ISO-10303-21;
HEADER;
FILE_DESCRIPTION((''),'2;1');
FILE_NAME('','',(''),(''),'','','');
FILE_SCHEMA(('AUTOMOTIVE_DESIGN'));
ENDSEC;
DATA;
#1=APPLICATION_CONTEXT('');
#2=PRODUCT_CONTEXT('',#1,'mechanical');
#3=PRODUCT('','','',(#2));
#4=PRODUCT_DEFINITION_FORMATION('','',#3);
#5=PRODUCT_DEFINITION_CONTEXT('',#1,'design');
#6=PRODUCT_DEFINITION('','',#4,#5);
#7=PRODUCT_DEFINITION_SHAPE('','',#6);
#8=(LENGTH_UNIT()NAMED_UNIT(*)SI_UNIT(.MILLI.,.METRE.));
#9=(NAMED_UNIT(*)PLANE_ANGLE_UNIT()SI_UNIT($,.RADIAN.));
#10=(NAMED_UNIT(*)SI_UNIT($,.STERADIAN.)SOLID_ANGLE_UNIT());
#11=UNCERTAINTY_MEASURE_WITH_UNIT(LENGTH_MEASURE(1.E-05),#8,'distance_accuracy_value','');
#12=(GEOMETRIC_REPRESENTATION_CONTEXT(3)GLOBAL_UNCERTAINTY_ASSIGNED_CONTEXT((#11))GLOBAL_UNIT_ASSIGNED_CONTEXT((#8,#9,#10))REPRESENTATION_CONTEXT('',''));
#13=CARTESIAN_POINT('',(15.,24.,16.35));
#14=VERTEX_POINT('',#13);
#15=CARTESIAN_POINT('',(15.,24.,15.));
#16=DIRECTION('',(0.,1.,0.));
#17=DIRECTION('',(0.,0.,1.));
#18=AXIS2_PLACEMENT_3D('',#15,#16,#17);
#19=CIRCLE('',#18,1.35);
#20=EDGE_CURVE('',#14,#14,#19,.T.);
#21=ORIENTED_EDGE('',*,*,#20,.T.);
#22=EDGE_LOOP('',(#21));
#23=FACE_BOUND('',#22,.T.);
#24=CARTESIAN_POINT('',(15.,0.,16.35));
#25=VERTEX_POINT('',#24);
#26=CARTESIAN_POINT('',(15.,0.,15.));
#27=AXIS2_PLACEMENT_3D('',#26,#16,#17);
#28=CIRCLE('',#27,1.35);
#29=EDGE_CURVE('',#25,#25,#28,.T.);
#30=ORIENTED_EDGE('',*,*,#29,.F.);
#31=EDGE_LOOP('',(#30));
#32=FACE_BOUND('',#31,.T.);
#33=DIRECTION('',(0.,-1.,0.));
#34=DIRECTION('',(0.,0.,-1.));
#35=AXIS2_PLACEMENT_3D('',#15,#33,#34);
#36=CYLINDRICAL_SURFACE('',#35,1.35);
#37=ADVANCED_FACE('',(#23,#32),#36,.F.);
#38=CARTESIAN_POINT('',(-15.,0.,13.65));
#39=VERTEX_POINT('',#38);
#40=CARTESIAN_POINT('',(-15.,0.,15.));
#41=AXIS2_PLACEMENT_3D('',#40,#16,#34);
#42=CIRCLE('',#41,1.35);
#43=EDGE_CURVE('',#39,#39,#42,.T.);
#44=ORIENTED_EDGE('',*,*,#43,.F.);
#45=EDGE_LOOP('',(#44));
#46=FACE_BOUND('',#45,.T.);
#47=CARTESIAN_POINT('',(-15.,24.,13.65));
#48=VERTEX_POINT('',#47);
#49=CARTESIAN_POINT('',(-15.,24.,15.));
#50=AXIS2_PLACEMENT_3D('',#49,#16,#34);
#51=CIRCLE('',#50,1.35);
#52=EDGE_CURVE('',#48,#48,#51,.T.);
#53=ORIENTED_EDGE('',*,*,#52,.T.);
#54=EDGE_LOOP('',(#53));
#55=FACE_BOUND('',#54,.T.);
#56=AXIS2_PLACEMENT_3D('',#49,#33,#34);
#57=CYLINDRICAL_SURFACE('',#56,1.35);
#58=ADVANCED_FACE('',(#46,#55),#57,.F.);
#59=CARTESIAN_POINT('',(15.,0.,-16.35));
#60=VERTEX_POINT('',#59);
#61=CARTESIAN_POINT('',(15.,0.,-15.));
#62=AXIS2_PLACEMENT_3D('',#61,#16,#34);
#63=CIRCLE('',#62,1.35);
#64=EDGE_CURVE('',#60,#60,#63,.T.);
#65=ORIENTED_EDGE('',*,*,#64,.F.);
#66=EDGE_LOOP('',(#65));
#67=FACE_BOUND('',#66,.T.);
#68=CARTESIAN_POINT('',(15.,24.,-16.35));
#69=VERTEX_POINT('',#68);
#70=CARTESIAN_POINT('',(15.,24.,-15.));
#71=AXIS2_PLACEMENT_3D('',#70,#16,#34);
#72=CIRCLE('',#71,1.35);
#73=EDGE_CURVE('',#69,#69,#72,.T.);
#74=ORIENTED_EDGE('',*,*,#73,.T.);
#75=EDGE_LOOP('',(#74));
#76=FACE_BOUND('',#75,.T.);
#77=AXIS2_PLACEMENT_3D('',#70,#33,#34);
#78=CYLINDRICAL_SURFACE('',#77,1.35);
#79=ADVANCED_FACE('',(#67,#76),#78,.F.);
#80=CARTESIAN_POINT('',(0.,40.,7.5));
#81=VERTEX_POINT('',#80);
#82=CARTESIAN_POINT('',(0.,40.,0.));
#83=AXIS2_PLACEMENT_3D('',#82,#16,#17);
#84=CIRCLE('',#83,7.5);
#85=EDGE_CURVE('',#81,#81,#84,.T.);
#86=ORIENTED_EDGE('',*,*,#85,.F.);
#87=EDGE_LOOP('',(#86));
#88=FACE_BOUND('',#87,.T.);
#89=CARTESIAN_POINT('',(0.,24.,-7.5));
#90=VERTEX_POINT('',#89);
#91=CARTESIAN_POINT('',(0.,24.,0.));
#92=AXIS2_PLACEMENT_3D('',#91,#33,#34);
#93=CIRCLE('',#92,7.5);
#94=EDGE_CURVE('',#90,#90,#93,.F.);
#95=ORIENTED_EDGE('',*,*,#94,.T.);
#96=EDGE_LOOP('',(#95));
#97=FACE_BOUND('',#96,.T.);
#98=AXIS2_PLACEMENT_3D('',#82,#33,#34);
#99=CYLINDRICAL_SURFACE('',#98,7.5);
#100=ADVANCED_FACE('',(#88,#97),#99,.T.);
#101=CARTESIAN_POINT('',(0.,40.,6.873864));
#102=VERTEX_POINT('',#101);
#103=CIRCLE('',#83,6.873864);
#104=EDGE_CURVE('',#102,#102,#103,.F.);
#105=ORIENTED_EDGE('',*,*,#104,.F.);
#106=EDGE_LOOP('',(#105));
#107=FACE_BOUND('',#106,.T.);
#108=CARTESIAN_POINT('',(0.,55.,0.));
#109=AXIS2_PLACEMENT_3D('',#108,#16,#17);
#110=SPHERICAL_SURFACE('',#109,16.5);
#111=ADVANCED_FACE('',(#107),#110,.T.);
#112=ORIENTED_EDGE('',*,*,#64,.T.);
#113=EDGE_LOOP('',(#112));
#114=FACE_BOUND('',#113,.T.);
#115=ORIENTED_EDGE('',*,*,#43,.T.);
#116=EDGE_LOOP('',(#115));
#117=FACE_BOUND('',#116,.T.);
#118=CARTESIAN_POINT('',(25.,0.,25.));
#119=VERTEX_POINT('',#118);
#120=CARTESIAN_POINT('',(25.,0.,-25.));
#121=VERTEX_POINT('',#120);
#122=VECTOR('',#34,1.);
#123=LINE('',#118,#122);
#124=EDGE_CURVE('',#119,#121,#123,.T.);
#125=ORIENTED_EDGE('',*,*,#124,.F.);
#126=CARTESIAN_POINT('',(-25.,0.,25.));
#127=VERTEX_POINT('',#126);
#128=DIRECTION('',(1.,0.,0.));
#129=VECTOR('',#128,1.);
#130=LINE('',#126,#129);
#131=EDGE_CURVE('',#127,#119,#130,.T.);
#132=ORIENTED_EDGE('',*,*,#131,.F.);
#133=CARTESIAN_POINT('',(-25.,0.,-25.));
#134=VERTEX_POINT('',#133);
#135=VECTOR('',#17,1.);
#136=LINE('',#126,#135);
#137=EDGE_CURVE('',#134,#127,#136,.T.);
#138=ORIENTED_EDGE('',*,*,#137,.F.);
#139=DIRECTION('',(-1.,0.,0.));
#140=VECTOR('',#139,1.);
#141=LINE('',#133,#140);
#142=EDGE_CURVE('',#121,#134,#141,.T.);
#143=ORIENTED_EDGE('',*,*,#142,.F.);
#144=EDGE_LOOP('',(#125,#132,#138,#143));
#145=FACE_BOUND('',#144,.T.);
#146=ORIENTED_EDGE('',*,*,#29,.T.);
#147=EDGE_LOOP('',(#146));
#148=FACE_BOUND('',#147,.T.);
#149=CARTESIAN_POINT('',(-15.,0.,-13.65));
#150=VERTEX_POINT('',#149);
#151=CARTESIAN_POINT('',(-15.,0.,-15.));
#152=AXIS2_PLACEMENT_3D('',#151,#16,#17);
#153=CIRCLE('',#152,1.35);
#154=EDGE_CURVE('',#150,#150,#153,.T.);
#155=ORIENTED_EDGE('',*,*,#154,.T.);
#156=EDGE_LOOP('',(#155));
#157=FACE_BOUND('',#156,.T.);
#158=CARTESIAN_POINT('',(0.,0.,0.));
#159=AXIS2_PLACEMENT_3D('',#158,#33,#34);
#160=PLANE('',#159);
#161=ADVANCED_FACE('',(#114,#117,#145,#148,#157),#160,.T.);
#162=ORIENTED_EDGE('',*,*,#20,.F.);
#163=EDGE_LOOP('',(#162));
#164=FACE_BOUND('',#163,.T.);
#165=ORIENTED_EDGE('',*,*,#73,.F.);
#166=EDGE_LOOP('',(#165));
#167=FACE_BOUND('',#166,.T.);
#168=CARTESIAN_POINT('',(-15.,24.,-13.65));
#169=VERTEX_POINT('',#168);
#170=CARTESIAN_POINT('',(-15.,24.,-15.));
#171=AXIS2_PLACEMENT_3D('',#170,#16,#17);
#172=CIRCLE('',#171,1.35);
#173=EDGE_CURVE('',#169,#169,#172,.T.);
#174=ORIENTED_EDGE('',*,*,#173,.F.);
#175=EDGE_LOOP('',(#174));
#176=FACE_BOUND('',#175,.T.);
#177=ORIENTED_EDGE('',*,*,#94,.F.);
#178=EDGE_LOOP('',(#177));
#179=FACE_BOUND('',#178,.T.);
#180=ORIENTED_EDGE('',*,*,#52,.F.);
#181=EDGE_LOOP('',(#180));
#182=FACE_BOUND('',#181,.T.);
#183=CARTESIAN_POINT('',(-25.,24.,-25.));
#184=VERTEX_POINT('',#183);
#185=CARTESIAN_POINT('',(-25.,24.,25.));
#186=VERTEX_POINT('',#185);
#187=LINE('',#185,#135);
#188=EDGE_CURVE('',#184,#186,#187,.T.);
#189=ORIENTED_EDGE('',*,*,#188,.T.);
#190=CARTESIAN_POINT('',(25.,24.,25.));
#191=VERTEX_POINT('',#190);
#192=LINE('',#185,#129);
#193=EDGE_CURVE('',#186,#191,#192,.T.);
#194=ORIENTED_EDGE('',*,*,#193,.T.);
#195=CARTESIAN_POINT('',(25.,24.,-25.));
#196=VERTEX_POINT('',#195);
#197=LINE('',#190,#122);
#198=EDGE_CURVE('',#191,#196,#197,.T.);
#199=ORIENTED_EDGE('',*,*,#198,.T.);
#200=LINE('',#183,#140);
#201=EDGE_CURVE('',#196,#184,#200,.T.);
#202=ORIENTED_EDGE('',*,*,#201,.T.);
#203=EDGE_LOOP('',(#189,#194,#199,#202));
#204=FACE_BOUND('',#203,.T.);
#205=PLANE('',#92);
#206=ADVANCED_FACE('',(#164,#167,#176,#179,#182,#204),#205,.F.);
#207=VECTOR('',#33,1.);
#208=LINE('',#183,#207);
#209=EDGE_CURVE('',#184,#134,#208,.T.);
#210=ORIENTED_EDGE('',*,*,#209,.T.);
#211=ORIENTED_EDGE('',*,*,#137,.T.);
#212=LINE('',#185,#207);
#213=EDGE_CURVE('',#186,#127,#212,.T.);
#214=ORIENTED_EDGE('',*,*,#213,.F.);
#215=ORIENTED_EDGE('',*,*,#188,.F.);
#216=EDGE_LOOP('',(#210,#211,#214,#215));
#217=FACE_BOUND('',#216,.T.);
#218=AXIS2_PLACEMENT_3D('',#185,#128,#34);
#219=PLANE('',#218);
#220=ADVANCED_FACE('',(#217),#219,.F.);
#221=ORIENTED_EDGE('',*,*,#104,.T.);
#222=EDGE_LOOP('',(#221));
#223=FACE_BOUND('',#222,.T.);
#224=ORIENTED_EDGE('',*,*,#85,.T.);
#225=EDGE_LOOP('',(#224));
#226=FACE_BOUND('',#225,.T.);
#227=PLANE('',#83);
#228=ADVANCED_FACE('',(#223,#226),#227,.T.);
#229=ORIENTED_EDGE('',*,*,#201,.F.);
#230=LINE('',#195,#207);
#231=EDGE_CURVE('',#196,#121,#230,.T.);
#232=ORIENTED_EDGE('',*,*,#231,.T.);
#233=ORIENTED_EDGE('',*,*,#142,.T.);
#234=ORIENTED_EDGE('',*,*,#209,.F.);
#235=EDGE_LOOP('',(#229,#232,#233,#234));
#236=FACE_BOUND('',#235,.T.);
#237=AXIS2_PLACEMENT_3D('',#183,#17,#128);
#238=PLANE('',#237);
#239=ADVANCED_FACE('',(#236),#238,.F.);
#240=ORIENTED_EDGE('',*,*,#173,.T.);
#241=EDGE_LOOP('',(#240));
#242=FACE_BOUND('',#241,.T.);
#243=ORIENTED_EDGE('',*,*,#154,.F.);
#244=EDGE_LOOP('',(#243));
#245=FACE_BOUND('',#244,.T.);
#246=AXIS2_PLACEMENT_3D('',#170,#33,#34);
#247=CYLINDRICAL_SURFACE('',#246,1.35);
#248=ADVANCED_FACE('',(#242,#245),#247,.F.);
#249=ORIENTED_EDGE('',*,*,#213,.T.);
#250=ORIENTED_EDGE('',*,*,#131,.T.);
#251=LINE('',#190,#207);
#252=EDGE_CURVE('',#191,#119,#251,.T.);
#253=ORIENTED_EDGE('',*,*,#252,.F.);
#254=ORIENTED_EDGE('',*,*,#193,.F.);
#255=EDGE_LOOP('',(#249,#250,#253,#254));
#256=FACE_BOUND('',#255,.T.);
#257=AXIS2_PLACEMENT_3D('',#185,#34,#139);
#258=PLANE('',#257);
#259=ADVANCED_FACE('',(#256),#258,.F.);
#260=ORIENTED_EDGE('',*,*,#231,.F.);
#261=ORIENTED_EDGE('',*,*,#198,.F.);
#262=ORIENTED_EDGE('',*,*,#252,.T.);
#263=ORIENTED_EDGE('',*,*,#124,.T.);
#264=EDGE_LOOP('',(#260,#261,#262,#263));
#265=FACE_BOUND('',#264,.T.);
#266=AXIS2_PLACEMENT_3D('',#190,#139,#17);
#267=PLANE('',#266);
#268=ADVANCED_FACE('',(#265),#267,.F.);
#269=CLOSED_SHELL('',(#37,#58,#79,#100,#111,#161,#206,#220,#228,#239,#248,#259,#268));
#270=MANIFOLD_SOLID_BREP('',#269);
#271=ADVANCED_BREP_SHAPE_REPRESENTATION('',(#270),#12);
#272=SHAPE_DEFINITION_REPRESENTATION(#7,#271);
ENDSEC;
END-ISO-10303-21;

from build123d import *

# Parameters (mm, degrees)
CROQUIS1_W              = 50
CROQUIS1_H              = 50
CROQUIS1_R              = 1.35
SALIENTE_EXTRUIR1_DEPTH = 24
CROQUIS2_R              = 7.5
SALIENTE_EXTRUIR2_DEPTH = 40


with BuildPart() as part:
    # Croquis1 → Saliente-Extruir1 (new body)
    with BuildSketch(Plane(origin=(0, 0, 0), x_dir=(1, 0, 0), z_dir=(0, 1, 0))):
        Rectangle(CROQUIS1_W, CROQUIS1_H)
        with Locations(Location((-15, 15, 0), (0, 0, 270))):
            Circle(CROQUIS1_R, mode=Mode.SUBTRACT)
        with Locations(Location((15, 15, 0), (0, 0, 90))):
            Circle(CROQUIS1_R, mode=Mode.SUBTRACT)
        with Locations(Location((-15, -15, 0), (0, 0, 90))):
            Circle(CROQUIS1_R, mode=Mode.SUBTRACT)
        with Locations(Location((15, -15, 0), (0, 0, 270))):
            Circle(CROQUIS1_R, mode=Mode.SUBTRACT)
    extrude(amount=SALIENTE_EXTRUIR1_DEPTH)

    # Croquis2 → Saliente-Extruir2 (add)
    with BuildSketch(Plane(origin=(0, 0, 0), x_dir=(1, 0, 0), z_dir=(0, 1, 0))):
        with Locations(Location((0, 0, 0), (0, 0, 90))):
            Circle(CROQUIS2_R)
    extrude(amount=SALIENTE_EXTRUIR2_DEPTH)

    # Croquis3 → Revolución1 (revolve)
    with BuildSketch(Plane(origin=(0, 55, 0), x_dir=(1, 0, 0), z_dir=(0, 1, 0))):
        with BuildLine():
            Line((0, 16.5), (0, -16.5))
            ThreePointArc((0, -16.5), (16.5, 0), (0, 16.5))
        make_face()
    revolve(axis=Axis((0, 55, -16.5), (0, 0, 1)))


solid = part.part
